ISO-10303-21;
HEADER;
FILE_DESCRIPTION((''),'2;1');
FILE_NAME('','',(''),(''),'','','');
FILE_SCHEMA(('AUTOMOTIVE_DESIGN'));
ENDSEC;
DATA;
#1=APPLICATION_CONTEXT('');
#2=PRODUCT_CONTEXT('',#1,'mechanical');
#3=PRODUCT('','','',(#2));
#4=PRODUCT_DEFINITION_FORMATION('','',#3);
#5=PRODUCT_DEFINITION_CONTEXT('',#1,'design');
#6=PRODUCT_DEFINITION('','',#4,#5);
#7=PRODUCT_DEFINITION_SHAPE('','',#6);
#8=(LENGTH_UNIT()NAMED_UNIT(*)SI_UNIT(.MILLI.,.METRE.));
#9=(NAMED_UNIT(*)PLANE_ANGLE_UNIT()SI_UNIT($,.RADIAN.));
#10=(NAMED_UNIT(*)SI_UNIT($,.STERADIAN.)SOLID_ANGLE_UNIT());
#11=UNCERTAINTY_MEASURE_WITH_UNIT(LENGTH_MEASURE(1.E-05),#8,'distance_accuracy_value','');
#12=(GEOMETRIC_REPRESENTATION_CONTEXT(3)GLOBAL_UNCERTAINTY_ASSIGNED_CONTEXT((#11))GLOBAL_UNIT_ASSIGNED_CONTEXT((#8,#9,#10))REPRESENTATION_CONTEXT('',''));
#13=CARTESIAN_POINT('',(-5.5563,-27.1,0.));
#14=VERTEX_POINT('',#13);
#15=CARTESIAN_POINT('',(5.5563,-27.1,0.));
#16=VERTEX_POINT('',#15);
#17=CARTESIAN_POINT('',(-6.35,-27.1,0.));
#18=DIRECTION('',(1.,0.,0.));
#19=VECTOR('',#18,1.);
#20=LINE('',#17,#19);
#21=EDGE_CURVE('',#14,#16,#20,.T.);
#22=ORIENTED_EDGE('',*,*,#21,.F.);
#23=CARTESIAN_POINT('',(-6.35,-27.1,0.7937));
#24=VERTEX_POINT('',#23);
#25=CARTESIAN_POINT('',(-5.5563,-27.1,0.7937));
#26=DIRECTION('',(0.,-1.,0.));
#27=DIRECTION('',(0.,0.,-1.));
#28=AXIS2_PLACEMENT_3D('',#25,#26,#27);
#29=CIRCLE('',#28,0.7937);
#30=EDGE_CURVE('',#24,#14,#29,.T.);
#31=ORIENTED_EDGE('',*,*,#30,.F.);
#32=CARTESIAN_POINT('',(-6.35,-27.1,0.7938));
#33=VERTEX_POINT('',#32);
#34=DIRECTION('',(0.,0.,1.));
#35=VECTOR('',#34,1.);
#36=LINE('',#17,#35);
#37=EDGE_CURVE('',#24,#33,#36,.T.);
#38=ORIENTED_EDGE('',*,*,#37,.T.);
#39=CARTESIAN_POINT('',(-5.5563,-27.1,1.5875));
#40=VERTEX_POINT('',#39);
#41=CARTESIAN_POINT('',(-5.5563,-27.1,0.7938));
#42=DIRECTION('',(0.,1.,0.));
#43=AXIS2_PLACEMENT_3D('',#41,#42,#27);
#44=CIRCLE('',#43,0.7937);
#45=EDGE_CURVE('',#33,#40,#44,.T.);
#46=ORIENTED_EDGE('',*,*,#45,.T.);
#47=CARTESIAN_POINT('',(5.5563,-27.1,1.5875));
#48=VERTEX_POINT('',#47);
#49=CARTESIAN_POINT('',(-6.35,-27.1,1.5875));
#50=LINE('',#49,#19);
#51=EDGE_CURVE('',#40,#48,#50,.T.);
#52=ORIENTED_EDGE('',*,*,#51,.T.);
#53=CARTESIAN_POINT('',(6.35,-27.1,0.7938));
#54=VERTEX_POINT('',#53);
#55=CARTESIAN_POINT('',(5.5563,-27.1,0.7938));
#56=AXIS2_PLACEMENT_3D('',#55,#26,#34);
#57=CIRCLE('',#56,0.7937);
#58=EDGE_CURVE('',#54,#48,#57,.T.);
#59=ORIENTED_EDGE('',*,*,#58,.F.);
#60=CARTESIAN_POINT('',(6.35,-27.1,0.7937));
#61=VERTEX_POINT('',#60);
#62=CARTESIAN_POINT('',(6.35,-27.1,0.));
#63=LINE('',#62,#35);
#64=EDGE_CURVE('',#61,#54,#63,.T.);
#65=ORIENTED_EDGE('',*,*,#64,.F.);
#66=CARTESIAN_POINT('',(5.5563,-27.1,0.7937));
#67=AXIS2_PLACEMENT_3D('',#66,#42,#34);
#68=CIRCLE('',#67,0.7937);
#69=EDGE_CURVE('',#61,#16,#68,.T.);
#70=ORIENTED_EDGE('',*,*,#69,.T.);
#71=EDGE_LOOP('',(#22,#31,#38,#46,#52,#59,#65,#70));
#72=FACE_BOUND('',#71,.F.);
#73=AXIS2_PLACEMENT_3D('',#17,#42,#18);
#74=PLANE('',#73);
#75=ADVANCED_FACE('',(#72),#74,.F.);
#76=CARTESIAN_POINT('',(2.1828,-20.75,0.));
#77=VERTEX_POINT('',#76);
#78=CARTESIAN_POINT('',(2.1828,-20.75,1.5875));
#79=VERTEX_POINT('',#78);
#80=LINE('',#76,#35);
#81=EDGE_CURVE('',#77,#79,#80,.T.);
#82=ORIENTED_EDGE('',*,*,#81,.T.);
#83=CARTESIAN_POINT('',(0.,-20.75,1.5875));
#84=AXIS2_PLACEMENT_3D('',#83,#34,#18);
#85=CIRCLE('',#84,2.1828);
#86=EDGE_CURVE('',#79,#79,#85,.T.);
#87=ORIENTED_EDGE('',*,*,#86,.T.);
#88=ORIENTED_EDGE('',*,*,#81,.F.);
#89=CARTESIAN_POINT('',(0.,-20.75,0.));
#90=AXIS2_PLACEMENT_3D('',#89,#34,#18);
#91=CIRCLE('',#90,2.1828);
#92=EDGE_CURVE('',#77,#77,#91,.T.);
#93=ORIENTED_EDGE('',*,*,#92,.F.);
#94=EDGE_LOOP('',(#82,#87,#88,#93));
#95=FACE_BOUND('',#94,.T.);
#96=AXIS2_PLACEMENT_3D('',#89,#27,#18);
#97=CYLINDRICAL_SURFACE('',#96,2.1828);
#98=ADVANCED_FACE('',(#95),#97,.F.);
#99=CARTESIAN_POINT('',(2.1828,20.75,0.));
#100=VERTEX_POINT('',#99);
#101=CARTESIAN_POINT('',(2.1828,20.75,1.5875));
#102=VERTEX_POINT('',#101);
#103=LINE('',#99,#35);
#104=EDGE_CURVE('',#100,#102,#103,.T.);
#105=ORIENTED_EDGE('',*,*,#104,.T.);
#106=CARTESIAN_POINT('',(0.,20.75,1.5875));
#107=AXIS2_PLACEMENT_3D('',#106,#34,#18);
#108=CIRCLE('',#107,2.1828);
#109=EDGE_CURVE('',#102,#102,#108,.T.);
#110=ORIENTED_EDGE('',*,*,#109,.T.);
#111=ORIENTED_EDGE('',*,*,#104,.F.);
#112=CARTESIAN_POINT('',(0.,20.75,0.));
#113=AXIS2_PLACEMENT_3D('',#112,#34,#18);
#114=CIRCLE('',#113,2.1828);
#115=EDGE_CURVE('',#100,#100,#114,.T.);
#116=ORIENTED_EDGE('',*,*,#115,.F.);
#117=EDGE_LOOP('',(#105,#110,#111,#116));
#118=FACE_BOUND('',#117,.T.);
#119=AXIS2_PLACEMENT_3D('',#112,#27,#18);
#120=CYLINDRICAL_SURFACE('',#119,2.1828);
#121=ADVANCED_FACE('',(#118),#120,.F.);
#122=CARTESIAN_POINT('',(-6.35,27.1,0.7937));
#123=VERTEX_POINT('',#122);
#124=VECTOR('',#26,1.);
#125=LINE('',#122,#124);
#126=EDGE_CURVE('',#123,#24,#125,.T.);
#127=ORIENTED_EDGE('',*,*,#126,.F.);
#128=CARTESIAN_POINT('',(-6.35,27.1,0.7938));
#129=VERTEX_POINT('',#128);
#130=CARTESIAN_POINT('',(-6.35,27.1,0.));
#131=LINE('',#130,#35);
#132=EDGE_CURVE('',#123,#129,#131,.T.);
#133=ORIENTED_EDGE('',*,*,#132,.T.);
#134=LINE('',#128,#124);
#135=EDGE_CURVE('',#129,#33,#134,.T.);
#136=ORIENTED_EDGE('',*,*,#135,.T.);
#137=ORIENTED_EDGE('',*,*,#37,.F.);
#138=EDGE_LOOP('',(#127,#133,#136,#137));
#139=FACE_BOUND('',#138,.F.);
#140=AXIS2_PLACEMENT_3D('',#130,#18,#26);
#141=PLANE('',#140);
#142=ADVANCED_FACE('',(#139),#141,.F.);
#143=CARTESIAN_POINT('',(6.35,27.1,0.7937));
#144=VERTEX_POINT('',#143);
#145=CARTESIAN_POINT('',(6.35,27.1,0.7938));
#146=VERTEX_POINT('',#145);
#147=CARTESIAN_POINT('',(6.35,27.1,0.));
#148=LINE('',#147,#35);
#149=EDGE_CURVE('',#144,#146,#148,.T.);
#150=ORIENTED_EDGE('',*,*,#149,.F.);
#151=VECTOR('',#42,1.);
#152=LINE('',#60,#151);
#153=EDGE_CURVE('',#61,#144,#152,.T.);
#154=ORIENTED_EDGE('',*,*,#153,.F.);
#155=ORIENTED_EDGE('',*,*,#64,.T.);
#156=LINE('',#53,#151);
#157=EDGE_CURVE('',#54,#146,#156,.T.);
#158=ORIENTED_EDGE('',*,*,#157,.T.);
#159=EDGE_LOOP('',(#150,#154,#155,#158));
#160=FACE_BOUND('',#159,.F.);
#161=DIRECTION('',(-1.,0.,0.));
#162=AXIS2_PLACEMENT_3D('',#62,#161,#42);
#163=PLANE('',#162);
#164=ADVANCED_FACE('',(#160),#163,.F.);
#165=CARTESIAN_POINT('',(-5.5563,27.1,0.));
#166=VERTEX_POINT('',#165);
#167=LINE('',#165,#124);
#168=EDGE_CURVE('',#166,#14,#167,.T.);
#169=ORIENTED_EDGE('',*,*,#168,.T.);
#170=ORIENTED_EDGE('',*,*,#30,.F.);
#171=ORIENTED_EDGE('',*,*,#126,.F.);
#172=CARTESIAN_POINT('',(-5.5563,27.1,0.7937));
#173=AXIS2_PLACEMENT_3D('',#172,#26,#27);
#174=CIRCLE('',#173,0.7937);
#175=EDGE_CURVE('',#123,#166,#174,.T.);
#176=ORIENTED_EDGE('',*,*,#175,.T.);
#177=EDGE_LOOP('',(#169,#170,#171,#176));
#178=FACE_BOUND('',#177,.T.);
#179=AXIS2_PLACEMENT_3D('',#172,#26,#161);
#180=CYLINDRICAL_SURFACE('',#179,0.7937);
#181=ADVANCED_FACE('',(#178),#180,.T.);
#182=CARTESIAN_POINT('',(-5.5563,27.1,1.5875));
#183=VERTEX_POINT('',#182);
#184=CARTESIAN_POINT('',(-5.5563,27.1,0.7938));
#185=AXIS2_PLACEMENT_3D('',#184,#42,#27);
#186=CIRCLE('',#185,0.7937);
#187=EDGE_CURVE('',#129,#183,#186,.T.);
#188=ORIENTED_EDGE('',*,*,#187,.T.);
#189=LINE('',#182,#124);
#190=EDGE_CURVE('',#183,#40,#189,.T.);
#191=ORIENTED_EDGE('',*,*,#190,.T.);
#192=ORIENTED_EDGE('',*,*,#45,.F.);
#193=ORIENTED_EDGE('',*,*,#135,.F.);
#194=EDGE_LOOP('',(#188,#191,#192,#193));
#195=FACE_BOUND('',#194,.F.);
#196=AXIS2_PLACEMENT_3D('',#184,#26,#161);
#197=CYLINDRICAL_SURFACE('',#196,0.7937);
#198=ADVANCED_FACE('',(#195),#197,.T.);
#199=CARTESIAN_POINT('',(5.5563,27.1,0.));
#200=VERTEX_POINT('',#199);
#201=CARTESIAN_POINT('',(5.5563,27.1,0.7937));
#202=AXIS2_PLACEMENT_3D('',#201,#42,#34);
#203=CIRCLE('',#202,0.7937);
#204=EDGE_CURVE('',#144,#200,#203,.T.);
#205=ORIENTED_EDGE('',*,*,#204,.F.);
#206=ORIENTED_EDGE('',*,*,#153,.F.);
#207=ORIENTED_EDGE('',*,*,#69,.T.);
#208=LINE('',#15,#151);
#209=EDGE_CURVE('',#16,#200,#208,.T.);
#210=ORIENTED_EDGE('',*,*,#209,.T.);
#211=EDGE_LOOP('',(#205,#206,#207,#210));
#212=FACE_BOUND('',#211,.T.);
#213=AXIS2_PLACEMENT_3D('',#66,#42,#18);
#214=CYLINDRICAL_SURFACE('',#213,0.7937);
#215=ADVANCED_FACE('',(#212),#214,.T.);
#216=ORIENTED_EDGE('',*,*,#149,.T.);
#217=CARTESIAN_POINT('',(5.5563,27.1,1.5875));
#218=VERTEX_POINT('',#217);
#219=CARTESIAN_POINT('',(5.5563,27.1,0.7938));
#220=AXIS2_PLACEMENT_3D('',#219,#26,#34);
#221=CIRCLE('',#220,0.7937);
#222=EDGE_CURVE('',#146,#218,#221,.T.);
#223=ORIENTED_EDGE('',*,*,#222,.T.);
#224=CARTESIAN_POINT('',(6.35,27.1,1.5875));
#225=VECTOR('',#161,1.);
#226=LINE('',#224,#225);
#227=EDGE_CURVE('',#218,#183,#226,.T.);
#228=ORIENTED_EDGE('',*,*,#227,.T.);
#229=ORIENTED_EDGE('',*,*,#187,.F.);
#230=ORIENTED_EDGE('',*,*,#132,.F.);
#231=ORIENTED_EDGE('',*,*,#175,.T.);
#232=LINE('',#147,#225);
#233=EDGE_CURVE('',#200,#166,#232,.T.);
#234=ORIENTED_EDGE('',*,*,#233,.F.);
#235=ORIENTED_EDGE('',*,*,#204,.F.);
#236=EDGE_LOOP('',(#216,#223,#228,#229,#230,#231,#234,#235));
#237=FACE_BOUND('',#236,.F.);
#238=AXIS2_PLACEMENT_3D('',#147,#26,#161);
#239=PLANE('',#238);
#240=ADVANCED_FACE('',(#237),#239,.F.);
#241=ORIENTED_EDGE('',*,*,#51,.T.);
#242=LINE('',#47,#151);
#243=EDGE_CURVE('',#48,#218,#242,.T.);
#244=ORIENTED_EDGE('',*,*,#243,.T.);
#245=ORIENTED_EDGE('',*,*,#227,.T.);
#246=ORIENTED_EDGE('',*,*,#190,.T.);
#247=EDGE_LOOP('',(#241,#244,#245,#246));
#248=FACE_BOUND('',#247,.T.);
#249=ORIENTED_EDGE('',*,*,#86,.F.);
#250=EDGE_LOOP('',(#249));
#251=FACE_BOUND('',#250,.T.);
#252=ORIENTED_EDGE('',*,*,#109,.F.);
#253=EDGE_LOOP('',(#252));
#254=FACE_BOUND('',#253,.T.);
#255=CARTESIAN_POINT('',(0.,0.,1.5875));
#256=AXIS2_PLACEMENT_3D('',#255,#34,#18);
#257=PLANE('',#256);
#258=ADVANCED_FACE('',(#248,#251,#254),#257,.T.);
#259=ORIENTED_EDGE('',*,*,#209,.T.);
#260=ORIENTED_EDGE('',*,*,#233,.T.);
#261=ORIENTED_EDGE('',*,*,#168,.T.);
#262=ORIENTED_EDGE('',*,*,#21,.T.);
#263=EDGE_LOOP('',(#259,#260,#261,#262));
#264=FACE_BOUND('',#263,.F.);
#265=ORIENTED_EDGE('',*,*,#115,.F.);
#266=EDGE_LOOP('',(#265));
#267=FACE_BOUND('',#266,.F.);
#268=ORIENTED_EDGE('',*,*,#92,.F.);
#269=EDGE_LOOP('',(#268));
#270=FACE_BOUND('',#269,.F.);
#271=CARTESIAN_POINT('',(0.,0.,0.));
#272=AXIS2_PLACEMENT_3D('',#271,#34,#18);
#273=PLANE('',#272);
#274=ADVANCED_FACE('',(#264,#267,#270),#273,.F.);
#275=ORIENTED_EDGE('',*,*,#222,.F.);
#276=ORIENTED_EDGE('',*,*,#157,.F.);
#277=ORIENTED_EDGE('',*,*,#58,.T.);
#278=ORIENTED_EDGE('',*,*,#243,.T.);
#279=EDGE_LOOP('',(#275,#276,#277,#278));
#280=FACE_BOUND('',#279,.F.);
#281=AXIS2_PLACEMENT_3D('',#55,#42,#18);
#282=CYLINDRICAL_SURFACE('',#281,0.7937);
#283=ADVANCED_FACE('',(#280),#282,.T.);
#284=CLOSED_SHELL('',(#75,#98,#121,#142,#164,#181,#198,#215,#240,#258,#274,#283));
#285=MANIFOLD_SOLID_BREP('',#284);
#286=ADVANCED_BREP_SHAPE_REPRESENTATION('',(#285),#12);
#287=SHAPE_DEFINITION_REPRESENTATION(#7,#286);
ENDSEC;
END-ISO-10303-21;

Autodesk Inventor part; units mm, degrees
ref_plane "YZ Plane" through (0, 0, 0) normal (1, 0, 0) x (0, 1, 0)
ref_plane "XZ Plane" through (0, 0, 0) normal (0, 1, 0) x (-1, 0, 0)
ref_plane "XY Plane" through (0, 0, 0) normal (0, 0, 1) x (1, 0, 0)
sketch "Sketch1" plane through (0, 0, 0) normal (0, 0, 1) x (1, 0, 0)
  circle A0 centre (0, 20.75) radius 2.1828
  circle A1 centre (0, -20.75) radius 2.1828
  line L0 (-6.35, -27.1) -> (6.35, -27.1)
  line L1 (6.35, -27.1) -> (6.35, 27.1)
  line L2 (6.35, 27.1) -> (-6.35, 27.1)
  line L3 (-6.35, 27.1) -> (-6.35, -27.1)
  line L4 (-6.35, -27.1) -> (6.35, 27.1) construction
  line L5 (6.35, -27.1) -> (-6.35, 27.1) construction
  point P0 (0, 0)
  dimension "d0" = 4.3656
  dimension "d1" = 4.3656
  dimension "d2" = 20.75
  dimension "d3" = 41.5
  dimension "d4" = 12.7
  dimension "d5" = 6.35
extrude "Extrusion1" add sketch "Sketch1" along normal blind 1.5875
fillet "Fillet1" radius 0.7937 4 edges at (-6.35, 0, 0) (-6.35, 0, 1.5875) (6.35, 0, 0) (6.35, 0, 1.5875)
properties part number "Part B"
